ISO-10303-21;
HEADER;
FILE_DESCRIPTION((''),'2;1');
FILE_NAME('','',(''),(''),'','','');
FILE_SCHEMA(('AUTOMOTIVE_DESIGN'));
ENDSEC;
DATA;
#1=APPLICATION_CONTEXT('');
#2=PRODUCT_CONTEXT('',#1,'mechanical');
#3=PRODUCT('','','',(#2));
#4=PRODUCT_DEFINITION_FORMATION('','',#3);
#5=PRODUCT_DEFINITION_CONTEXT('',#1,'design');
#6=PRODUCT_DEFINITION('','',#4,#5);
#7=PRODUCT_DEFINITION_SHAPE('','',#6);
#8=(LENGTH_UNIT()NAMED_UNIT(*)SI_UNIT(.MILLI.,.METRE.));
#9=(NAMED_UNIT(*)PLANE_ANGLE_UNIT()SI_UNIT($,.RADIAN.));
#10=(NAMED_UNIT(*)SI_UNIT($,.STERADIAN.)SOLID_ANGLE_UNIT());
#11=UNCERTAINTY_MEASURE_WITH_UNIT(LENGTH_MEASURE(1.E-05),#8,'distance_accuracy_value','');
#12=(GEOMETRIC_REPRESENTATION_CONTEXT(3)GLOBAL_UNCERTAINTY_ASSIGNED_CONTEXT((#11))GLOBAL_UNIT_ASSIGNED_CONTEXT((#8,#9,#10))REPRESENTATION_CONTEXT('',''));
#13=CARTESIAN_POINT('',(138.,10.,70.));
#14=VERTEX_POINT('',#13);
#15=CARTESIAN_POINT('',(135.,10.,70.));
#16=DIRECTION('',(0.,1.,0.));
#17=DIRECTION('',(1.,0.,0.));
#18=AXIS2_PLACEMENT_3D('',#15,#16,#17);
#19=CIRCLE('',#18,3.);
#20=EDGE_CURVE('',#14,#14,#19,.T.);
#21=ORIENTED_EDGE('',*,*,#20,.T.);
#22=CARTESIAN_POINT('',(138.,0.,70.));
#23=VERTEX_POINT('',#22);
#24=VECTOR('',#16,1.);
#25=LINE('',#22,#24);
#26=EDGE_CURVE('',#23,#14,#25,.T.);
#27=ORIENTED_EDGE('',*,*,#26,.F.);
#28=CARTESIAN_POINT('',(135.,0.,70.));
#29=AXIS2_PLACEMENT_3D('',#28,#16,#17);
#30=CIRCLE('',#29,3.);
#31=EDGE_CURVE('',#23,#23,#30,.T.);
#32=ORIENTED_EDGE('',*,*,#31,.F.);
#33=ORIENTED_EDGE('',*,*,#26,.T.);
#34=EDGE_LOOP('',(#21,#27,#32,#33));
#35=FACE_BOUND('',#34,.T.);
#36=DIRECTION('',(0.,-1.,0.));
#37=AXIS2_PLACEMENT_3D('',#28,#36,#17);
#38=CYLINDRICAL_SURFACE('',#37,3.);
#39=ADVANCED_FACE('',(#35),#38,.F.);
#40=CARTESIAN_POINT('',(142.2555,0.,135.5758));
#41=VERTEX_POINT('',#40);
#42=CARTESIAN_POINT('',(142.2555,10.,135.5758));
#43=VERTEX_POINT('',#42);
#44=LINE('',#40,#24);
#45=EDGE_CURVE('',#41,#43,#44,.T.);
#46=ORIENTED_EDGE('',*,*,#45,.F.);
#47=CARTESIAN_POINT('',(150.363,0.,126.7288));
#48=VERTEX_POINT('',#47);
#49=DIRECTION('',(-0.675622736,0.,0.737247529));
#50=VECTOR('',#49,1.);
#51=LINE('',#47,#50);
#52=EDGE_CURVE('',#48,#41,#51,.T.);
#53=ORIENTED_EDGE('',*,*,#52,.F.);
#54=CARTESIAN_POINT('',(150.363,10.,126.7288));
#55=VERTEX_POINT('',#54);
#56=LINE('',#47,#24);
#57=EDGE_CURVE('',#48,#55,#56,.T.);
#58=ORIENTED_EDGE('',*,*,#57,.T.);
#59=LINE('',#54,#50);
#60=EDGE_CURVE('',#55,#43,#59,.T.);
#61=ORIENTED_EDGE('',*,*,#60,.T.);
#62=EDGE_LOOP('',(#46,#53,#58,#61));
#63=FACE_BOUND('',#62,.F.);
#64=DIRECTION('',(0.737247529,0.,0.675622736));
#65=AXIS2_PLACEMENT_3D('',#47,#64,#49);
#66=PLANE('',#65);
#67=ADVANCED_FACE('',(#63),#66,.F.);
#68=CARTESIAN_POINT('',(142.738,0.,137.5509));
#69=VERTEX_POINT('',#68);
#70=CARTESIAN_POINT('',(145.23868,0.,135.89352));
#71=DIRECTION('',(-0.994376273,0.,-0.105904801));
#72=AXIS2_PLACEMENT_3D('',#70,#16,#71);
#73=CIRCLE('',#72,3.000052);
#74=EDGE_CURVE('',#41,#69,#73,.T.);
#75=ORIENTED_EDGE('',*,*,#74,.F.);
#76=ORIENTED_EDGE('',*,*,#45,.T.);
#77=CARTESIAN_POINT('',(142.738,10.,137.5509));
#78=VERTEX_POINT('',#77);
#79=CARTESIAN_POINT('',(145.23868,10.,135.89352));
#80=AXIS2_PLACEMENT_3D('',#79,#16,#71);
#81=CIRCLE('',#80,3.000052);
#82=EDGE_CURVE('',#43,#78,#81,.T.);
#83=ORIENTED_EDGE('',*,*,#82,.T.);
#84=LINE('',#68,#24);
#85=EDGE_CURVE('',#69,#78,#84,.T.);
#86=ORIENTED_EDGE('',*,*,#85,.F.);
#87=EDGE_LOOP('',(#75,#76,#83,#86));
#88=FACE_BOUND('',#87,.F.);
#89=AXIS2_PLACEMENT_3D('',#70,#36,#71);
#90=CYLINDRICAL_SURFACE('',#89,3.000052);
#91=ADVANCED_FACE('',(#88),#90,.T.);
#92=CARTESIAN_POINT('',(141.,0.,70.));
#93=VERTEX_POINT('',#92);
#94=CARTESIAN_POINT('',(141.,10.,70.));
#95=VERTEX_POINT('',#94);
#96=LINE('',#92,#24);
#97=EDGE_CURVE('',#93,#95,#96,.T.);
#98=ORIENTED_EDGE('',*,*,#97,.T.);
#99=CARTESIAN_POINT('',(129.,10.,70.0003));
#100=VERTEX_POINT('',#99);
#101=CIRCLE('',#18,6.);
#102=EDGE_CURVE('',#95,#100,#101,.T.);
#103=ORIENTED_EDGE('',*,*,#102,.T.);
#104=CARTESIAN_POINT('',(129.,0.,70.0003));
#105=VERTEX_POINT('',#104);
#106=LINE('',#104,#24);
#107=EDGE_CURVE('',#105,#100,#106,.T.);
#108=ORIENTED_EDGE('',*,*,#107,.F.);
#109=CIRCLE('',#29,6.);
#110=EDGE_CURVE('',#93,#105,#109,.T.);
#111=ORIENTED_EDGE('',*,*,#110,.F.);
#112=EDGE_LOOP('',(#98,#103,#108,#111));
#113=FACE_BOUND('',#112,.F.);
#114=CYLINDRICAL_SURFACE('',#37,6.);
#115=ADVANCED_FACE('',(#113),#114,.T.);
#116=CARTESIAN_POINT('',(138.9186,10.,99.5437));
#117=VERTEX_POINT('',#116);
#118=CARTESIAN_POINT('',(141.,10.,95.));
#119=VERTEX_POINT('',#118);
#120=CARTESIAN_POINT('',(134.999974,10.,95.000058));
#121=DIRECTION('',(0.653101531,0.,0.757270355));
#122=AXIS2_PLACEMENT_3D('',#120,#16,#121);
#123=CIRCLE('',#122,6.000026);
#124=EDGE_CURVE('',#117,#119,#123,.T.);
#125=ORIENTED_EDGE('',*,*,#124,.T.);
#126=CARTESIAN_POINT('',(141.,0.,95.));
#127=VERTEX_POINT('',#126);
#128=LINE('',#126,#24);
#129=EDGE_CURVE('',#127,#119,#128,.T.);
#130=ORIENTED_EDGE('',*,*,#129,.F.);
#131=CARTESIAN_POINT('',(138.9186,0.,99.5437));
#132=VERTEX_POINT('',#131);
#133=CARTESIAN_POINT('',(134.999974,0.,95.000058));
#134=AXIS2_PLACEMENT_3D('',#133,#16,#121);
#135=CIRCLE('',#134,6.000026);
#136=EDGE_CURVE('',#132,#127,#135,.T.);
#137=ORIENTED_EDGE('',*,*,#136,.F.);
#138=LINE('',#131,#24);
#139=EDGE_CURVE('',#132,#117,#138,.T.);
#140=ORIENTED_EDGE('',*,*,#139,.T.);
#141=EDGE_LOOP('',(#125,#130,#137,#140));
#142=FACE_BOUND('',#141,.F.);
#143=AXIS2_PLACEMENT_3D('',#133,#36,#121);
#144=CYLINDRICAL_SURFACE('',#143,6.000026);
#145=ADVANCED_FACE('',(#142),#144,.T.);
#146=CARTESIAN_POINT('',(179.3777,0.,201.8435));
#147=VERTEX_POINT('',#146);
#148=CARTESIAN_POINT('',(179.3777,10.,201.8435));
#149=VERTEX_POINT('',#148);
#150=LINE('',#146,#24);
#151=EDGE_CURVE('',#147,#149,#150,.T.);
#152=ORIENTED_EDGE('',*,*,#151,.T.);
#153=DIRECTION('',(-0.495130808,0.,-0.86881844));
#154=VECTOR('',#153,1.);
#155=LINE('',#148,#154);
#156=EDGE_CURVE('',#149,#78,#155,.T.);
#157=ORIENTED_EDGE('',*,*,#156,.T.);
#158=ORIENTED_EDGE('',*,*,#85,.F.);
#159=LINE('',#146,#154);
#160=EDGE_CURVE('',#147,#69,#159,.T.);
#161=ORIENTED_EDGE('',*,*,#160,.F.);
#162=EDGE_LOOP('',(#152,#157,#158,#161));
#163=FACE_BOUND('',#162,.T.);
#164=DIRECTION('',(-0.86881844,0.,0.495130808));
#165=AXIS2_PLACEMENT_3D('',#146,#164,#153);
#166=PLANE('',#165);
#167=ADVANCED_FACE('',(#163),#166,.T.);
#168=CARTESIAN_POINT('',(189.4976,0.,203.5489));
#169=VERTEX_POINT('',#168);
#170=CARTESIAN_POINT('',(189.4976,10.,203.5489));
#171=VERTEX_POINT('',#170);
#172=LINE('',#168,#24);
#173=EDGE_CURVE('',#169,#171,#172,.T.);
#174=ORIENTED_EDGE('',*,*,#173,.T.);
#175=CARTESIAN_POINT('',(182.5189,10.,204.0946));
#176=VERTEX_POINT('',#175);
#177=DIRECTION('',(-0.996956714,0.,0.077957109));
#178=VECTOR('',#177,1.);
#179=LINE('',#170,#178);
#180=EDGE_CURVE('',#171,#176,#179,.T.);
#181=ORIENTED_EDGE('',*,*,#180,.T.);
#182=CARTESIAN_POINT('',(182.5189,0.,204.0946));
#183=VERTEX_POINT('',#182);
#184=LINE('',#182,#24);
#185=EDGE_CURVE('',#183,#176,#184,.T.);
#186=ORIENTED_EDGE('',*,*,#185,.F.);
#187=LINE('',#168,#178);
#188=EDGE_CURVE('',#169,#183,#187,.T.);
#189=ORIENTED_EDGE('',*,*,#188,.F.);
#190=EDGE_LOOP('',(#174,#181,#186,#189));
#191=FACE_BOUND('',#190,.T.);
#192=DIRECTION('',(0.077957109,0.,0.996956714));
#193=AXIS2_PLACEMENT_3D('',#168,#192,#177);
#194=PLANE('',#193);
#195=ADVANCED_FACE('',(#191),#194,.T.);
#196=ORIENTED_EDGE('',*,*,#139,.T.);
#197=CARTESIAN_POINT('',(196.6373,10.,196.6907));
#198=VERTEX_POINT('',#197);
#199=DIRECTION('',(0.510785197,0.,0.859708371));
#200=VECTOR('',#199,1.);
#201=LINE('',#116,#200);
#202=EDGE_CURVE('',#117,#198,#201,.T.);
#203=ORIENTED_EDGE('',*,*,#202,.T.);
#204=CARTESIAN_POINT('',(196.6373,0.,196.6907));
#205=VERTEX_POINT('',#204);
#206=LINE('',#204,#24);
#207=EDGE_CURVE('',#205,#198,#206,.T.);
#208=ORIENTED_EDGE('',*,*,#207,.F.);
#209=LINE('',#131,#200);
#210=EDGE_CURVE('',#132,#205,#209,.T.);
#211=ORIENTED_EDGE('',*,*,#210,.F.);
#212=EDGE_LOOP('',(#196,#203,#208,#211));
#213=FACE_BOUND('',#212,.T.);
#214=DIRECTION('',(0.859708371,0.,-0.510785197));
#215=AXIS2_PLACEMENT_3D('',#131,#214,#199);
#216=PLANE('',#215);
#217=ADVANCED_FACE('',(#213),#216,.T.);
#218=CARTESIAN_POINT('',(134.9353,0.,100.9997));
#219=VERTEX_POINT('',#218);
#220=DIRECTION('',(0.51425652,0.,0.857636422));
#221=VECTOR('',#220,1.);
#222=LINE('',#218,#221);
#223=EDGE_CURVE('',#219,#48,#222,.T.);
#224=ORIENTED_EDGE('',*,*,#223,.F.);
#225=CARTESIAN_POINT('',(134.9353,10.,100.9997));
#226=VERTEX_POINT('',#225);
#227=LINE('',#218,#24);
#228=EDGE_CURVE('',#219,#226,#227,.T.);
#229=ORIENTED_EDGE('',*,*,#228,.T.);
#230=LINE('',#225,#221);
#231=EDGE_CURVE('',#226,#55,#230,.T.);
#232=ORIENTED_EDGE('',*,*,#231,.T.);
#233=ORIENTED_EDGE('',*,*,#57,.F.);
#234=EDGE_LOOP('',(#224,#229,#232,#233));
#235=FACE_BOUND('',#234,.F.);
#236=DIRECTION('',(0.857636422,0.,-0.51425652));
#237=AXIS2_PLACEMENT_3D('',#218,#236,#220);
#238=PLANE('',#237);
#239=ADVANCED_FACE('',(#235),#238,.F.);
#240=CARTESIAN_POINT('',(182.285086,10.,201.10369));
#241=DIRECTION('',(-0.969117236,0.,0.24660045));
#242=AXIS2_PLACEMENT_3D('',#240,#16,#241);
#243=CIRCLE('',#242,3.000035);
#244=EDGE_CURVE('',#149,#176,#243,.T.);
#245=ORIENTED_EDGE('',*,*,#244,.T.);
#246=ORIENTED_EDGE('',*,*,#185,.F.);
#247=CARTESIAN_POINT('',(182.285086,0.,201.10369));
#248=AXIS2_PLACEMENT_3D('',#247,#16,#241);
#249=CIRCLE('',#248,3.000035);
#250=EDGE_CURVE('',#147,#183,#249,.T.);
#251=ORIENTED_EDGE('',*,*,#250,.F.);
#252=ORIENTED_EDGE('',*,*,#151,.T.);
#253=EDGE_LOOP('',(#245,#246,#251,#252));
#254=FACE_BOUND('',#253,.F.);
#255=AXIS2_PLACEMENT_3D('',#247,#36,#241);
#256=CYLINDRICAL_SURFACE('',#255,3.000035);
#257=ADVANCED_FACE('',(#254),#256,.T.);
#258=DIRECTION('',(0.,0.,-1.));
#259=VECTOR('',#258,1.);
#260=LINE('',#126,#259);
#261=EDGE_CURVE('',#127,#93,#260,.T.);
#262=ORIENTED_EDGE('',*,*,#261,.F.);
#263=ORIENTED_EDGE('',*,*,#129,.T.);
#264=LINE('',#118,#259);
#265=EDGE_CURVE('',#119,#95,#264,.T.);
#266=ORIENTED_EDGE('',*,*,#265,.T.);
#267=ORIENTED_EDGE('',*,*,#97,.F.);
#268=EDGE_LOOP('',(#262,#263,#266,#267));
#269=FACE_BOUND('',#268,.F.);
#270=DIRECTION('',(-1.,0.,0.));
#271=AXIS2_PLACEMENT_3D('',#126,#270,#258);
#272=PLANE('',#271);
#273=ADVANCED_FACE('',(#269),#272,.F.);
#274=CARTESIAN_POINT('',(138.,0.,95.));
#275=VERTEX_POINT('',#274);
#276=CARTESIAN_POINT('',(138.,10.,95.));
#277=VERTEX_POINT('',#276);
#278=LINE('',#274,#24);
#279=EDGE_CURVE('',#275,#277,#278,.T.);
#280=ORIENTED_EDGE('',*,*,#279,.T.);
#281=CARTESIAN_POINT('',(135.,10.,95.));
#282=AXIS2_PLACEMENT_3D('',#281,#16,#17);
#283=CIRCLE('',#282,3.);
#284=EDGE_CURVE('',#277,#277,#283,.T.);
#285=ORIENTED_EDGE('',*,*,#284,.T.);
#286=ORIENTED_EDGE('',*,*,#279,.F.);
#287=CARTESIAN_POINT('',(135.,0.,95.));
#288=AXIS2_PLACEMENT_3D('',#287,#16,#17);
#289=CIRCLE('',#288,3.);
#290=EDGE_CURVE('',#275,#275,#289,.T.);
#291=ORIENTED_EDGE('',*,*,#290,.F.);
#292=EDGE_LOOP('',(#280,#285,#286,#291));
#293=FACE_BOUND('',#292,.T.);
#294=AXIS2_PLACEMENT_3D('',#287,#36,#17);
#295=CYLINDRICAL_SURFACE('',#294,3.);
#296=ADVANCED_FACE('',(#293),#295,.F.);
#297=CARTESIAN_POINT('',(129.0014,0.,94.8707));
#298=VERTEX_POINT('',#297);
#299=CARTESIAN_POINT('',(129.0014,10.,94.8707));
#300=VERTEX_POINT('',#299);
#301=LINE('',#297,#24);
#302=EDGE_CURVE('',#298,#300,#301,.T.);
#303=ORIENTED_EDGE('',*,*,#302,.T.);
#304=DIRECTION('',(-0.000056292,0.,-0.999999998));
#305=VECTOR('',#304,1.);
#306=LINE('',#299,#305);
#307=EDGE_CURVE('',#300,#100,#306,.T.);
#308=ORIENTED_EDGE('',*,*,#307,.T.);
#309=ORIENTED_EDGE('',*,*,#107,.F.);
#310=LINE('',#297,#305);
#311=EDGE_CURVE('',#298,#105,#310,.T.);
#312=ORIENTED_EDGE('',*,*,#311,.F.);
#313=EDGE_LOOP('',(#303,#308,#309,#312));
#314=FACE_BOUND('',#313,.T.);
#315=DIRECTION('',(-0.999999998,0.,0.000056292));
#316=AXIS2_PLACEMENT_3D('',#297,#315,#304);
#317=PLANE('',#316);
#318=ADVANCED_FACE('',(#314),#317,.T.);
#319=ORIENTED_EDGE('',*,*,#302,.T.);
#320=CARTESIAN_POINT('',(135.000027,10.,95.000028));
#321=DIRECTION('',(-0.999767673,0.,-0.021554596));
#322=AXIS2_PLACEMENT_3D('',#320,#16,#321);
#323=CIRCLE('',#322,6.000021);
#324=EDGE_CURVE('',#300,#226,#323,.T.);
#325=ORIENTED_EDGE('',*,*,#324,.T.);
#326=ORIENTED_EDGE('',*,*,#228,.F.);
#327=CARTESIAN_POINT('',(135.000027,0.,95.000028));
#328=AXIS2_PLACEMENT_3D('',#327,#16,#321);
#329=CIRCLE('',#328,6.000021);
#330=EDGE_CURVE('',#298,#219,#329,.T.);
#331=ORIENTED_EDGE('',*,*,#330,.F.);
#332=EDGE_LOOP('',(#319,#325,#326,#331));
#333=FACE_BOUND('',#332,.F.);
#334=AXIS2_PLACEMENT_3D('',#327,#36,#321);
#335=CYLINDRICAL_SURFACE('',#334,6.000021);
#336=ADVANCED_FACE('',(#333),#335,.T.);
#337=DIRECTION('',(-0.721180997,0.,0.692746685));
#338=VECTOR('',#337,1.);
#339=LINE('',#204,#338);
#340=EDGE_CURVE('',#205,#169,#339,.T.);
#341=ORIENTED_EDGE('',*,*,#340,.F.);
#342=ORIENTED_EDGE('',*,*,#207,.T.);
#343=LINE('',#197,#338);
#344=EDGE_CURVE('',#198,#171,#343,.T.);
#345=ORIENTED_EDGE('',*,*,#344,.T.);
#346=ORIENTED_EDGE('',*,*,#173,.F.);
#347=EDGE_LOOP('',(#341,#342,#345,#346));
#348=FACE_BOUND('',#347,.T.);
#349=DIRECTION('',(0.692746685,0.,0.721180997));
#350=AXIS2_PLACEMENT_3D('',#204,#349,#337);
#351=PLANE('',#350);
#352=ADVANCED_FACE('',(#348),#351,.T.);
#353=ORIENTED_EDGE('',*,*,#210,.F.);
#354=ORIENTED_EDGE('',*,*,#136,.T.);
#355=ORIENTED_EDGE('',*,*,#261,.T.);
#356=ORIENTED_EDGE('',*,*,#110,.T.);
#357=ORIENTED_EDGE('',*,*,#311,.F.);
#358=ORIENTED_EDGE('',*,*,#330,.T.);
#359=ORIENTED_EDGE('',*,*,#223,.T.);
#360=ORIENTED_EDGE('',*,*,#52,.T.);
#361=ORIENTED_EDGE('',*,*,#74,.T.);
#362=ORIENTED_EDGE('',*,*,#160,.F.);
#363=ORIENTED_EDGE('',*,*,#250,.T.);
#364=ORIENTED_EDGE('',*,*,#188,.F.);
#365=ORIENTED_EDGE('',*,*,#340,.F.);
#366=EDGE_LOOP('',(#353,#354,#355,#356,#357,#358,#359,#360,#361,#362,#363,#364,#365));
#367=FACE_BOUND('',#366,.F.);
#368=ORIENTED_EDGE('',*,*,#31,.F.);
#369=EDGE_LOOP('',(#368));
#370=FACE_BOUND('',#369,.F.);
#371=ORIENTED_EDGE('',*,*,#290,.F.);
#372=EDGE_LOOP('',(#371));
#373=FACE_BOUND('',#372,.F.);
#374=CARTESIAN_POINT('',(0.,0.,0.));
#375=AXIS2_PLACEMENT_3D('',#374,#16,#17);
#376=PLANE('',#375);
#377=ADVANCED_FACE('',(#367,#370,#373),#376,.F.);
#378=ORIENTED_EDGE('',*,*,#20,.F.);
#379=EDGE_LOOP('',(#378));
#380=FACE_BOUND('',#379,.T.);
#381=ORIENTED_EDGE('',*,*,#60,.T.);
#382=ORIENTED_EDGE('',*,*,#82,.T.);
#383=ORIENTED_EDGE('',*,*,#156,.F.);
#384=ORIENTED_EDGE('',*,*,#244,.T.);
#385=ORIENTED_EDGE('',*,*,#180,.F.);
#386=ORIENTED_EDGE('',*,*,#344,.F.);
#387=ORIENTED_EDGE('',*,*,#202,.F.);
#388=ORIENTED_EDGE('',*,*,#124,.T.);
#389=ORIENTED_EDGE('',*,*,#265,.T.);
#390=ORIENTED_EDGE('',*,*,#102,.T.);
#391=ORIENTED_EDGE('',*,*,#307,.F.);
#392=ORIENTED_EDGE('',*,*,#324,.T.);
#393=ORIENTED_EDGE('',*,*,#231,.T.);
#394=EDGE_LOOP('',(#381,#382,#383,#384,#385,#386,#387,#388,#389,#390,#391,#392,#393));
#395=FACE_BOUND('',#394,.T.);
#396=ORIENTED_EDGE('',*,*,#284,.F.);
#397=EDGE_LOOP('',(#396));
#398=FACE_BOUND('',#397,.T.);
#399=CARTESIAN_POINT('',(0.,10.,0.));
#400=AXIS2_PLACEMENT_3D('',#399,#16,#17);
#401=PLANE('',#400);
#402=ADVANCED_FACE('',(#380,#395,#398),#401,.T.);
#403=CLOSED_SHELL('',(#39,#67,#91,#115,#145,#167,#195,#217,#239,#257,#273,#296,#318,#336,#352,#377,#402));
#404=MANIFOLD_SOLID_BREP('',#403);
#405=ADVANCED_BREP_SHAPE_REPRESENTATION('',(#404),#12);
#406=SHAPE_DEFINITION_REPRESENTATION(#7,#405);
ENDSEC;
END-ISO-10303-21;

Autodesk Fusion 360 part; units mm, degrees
sketch "Sketch1" plane through (0, 0, 0) normal (0, 1, 0) x (1, 0, 0)
  circle A0 centre (0.0008, 24.9355) radius 3
  line L0 (2.5556, 32.9383) -> (-2.4444, 32.9383)
  line L1 (2.5556, 20.6375) -> (2.5556, -15.7025)
  line L2 (8, 25) -> (8, -20)
  circle A1 centre (0, -20) radius 3
  line L3 (-2.6799, 20.7149) -> (-2.6799, -15.7789)
  arc A2 (2.5556, 20.6375) -> (-2.6799, 20.7149) centre (0.0008, 24.9355) ccw
  arc A3 (-2.6799, -15.7789) -> (2.5556, -15.7025) centre (0, -20) ccw
  dimension "d1" = 6
  dimension "d2" = 10
  dimension "d4" = 5
  dimension "d5" = 36.34
  dimension "d6" = 45
  dimension "d7" = 6
sketch "Sketch2" plane through (0, 0, 0) normal (0, 1, 0) x (1, 0, 0)
  circle A0 centre (160, 0) radius 3
  line L0 (165.3043, -12.1067) -> (165.3043, 17.8933)
  line L1 (165.3043, -12.1067) -> (144.0787, -27.9224)
  line L2 (144.0787, -27.9224) -> (124.0787, -27.9224)
  line L3 (124.0787, -27.9224) -> (105.4535, -9.1138)
  line L4 (105.4535, -9.1138) -> (98.3535, -9.1138)
  line L5 (98.3535, -9.1138) -> (98.3535, 10.8862)
  line L6 (98.3535, 10.8862) -> (112.5535, 10.8862)
  line L7 (112.5535, 10.8862) -> (128, 34)
  line L8 (128, 34) -> (153, 34)
  line L9 (153, 34) -> (165.3043, 17.8933)
  circle A1 centre (144.0787, -15.0238) radius 3
  circle A2 centre (124.0787, -15.0238) radius 3
  line L10 (112.4283, -2.9974) -> (127.553, -3)
  line L11 (127.2855, 2.988) -> (112.556, 3)
  arc A3 (127.553, -3) -> (127.2855, 2.988) centre (127.5535, 0) ccw
  arc A4 (112.556, 3) -> (112.6778, -2.9974) centre (112.5535, 0) ccw
  circle A5 centre (128, 28) radius 2
  circle A6 centre (153, 28) radius 2
  dimension "d10" = 6
  dimension "d11" = 30
  dimension "d12" = 26.47
  dimension "d13" = 20
  dimension "d14" = 26.47
  dimension "d15" = 7.1
  dimension "d16" = 20
  dimension "d17" = 14.2
  dimension "d18" = 27.8
  dimension "d19" = 25
  dimension "d21" = 6
  dimension "d22" = 6
  dimension "d23" = 6
  dimension "d24" = 15
  dimension "d25" = 6
  dimension "d26" = 4
  dimension "d27" = 4
sketch "Sketch3" plane through (0, 0, 0) normal (0, 1, 0) x (1, 0, 0)
sketch "Sketch4" plane through (0, 0, 0) normal (0, 1, 0) x (1, 0, 0)
sketch "Sketch5" plane through (0, 0, 0) normal (0, 1, 0) x (1, 0, 0)
  circle A0 centre (0, -75) radius 3
  circle A1 centre (-0.0243, -126.973) radius 3
  line L0 (-20, -70) -> (-20, -141.97)
  line L1 (-5, -75) -> (-5, -112.8223)
  line L2 (5, -75) -> (5, -112.8395)
  arc A2 (5, -75) -> (-5, -75) centre (0, -75) ccw
  line L3 (-0.05, -141.973) -> (-0.05, -143.513)
  line L4 (-0.05, -143.513) -> (-0.4621, -143.739)
  line L5 (-0.4621, -143.739) -> (-1.4621, -143.739)
  line L6 (-1.4621, -143.739) -> (-1.9628, -143.2357)
  line L7 (-1.9628, -143.2357) -> (-1.9628, -141.8472)
  line L8 (-0.05, -145.0973) -> (-0.05, -123.9731)
  line L9 (-8.7204, -112.6318) -> (-7.8791, -112.0912)
  line L10 (-8.9448, -113.0448) -> (-8.7204, -112.6318)
  line L11 (-8.1122, -114.3403) -> (-8.9448, -113.0448)
  line L12 (-7.1857, -112.2439) -> (-6.4351, -113.412)
  line L13 (-7.8791, -112.0912) -> (-7.1857, -112.2439)
  line L14 (-12.4085, -115.6627) -> (-11.7536, -114.907)
  line L15 (-12.5075, -116.1222) -> (-12.4085, -115.6627)
  line L16 (-11.3436, -117.1306) -> (-12.5075, -116.1222)
  line L17 (-11.0453, -114.8581) -> (-9.996, -115.7674)
  line L18 (-11.7536, -114.907) -> (-11.0453, -114.8581)
  line L19 (-15.0933, -119.6099) -> (-14.6779, -118.7003)
  line L20 (-15.0589, -120.0786) -> (-15.0933, -119.6099)
  line L21 (-13.658, -120.7184) -> (-15.0589, -120.0786)
  line L22 (-14.012, -118.4539) -> (-12.749, -119.0307)
  line L23 (-14.6779, -118.7003) -> (-14.012, -118.4539)
  line L24 (-16.5573, -124.1536) -> (-16.415, -123.1638)
  line L25 (-16.3922, -124.5936) -> (-16.5573, -124.1536)
  line L26 (-14.8679, -124.8128) -> (-16.3922, -124.5936)
  line L27 (-15.8455, -122.7398) -> (-14.4712, -122.9374)
  line L28 (-16.415, -123.1638) -> (-15.8455, -122.7398)
  line L29 (-16.682, -128.9257) -> (-16.8243, -127.9359)
  line L30 (-16.3995, -129.3014) -> (-16.682, -128.9257)
  line L31 (-14.8752, -129.0822) -> (-16.3995, -129.3014)
  line L32 (-16.3973, -127.3686) -> (-15.023, -127.171)
  line L33 (-16.8243, -127.9359) -> (-16.3973, -127.3686)
  line L34 (-15.4571, -133.5396) -> (-15.8725, -132.63)
  line L35 (-15.0802, -133.8205) -> (-15.4571, -133.5396)
  line L36 (-13.6794, -133.1808) -> (-15.0802, -133.8205)
  line L37 (-15.6226, -131.9654) -> (-14.3596, -131.3886)
  line L38 (-15.8725, -132.63) -> (-15.6226, -131.9654)
  line L39 (-12.9819, -137.6215) -> (-13.6367, -136.8658)
  line L40 (-12.5412, -137.7849) -> (-12.9819, -137.6215)
  line L41 (-11.3773, -136.7764) -> (-12.5412, -137.7849)
  line L42 (-13.5843, -136.1577) -> (-12.5349, -135.2485)
  line L43 (-13.6367, -136.8658) -> (-13.5843, -136.1577)
  line L44 (-9.457, -140.8408) -> (-10.2982, -140.3002)
  line L45 (-8.9881, -140.8734) -> (-9.457, -140.8408)
  line L46 (-8.1555, -139.5779) -> (-8.9881, -140.8734)
  line L47 (-10.4473, -139.606) -> (-9.6967, -138.4379)
  line L48 (-10.2982, -140.3002) -> (-10.4473, -139.606)
  line L49 (-5.1679, -142.9365) -> (-6.1274, -142.6548)
  line L50 (-4.7088, -142.8357) -> (-5.1679, -142.9365)
  line L51 (-4.2749, -141.3581) -> (-4.7088, -142.8357)
  line L52 (-6.466, -142.0308) -> (-6.0748, -140.6985)
  line L53 (-6.1274, -142.6548) -> (-6.466, -142.0308)
  arc A3 (-5, -112.8223) -> (-6.4351, -113.412) centre (-0.0243, -126.973) ccw
  arc A4 (-8.1122, -114.3403) -> (-9.996, -115.7674) centre (-0.0243, -126.973) ccw
  arc A5 (-11.3436, -117.1306) -> (-12.749, -119.0307) centre (-0.0243, -126.973) ccw
  arc A6 (-13.658, -120.7184) -> (-14.4712, -122.9374) centre (-0.0243, -126.973) ccw
  arc A7 (-14.8679, -124.8128) -> (-15.023, -127.171) centre (-0.0243, -126.973) ccw
  arc A8 (-14.8752, -129.0822) -> (-14.3596, -131.3886) centre (-0.0243, -126.973) ccw
  arc A9 (-13.6794, -133.1808) -> (-12.5349, -135.2485) centre (-0.0243, -126.973) ccw
  arc A10 (-11.3773, -136.7764) -> (-9.6967, -138.4379) centre (-0.0243, -126.973) ccw
  arc A11 (-8.1555, -139.5779) -> (-6.0748, -140.6985) centre (-0.0243, -126.973) ccw
  arc A12 (-4.2749, -141.3581) -> (-1.9628, -141.8472) centre (-0.0243, -126.973) ccw
  arc A13 (-0.05, -141.973) -> (5, -112.8395) centre (-0.0243, -126.973) ccw
  dimension "d30" = 6
  dimension "d31" = 10
  dimension "d32" = 6
  dimension "d33" = 30
  dimension "d34" = 71.97
  dimension "d35" = 1.54
  dimension "d36" = 0.47
  dimension "d37" = 1
  dimension "d38" = 0.71
  dimension "d40" = 360
sketch "Sketch6" plane through (0, 0, 0) normal (0, 1, 0) x (1, 0, 0)
  circle A0 centre (135, -70) radius 3
  circle A1 centre (135, -95) radius 3
  line L0 (129.0014, -94.8707) -> (129, -70.0003)
  line L1 (141, -95) -> (141, -70)
  arc A2 (141, -70) -> (129, -70.0003) centre (135, -70) ccw
  line L2 (134.9353, -100.9997) -> (150.363, -126.7288)
  line L3 (138.9186, -99.5437) -> (196.6373, -196.6907)
  arc A3 (129.0014, -94.8707) -> (134.9353, -100.9997) centre (135, -95) ccw
  arc A4 (138.9186, -99.5437) -> (141, -95) centre (135, -95) ccw
  line L4 (196.6373, -196.6907) -> (189.4976, -203.5489)
  line L5 (189.4976, -203.5489) -> (182.5189, -204.0946)
  line L6 (179.3777, -201.8435) -> (142.738, -137.5509)
  arc A5 (179.3777, -201.8435) -> (182.5189, -204.0946) centre (182.2851, -201.1037) ccw
  arc A6 (142.2555, -135.5758) -> (142.738, -137.5509) centre (145.2387, -135.8936) ccw
  line L7 (150.363, -126.7288) -> (142.2555, -135.5758)
  dimension "d43" = 6
  dimension "d44" = 12
  dimension "d45" = 25
  dimension "d46" = 6
  dimension "d47" = 12
  dimension "d48" = 30
  dimension "d50" = 113
  dimension "d52" = 9.9
  dimension "d53" = 7
  dimension "d62" = 6
  dimension "d63" = 74
  dimension "d64" = 6
  dimension "d69" = 12
extrude "Extrude5" add sketch "Sketch6" along normal blind 10
